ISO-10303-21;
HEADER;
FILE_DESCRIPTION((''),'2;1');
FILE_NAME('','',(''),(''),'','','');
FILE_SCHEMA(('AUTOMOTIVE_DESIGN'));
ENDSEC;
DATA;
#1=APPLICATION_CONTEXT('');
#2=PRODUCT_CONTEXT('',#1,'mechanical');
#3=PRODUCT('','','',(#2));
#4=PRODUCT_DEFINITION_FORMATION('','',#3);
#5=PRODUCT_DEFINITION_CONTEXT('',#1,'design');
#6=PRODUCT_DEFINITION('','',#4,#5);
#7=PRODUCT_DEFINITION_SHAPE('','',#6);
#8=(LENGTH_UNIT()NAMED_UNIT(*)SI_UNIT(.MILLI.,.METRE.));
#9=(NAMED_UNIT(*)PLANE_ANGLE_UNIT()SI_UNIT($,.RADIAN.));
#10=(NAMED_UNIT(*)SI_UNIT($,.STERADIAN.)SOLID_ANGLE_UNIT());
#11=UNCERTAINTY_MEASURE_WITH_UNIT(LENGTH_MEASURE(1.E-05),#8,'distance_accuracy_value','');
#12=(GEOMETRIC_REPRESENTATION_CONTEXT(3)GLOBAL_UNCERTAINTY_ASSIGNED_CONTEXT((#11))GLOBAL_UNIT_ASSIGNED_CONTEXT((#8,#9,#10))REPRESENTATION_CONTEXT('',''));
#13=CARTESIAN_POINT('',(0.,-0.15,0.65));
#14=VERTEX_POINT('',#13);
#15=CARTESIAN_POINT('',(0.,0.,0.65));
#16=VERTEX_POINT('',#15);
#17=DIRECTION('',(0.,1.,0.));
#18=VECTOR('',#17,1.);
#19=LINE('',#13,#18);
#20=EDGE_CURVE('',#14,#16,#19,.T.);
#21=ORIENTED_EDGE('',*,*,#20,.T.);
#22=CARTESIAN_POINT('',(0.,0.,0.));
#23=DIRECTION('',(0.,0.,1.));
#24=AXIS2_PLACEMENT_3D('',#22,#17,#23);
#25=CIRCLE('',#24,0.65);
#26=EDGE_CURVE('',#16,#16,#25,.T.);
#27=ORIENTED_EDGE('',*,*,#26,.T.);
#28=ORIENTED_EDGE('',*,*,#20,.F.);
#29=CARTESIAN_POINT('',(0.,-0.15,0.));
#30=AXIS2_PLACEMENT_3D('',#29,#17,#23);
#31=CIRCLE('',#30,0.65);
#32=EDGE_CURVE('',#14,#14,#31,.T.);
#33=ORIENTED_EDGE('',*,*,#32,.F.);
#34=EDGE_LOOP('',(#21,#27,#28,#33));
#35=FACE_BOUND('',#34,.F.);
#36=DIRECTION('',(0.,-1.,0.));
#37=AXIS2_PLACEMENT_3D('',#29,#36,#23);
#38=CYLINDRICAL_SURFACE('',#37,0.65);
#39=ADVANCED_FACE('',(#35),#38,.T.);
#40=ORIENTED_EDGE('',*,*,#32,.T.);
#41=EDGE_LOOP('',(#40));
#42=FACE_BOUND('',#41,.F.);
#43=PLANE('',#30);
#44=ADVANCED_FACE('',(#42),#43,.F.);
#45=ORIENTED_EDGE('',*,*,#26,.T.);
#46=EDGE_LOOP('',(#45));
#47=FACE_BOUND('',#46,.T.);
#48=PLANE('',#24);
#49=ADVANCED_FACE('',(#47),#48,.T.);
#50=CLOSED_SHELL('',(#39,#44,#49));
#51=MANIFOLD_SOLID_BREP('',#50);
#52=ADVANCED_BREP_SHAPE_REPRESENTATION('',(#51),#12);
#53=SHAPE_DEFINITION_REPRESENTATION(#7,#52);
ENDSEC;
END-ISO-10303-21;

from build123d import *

# Parameters (mm, degrees)
CYLINDER002_R     = 0.65
CYLINDER002_DEPTH = 0.15


with BuildPart() as part:
    # Cylinder002 → Cylinder002 (new body)
    with BuildSketch(Plane.ZX.offset(-0.15)):
        Circle(CYLINDER002_R)
    extrude(amount=CYLINDER002_DEPTH)


solid = part.part
